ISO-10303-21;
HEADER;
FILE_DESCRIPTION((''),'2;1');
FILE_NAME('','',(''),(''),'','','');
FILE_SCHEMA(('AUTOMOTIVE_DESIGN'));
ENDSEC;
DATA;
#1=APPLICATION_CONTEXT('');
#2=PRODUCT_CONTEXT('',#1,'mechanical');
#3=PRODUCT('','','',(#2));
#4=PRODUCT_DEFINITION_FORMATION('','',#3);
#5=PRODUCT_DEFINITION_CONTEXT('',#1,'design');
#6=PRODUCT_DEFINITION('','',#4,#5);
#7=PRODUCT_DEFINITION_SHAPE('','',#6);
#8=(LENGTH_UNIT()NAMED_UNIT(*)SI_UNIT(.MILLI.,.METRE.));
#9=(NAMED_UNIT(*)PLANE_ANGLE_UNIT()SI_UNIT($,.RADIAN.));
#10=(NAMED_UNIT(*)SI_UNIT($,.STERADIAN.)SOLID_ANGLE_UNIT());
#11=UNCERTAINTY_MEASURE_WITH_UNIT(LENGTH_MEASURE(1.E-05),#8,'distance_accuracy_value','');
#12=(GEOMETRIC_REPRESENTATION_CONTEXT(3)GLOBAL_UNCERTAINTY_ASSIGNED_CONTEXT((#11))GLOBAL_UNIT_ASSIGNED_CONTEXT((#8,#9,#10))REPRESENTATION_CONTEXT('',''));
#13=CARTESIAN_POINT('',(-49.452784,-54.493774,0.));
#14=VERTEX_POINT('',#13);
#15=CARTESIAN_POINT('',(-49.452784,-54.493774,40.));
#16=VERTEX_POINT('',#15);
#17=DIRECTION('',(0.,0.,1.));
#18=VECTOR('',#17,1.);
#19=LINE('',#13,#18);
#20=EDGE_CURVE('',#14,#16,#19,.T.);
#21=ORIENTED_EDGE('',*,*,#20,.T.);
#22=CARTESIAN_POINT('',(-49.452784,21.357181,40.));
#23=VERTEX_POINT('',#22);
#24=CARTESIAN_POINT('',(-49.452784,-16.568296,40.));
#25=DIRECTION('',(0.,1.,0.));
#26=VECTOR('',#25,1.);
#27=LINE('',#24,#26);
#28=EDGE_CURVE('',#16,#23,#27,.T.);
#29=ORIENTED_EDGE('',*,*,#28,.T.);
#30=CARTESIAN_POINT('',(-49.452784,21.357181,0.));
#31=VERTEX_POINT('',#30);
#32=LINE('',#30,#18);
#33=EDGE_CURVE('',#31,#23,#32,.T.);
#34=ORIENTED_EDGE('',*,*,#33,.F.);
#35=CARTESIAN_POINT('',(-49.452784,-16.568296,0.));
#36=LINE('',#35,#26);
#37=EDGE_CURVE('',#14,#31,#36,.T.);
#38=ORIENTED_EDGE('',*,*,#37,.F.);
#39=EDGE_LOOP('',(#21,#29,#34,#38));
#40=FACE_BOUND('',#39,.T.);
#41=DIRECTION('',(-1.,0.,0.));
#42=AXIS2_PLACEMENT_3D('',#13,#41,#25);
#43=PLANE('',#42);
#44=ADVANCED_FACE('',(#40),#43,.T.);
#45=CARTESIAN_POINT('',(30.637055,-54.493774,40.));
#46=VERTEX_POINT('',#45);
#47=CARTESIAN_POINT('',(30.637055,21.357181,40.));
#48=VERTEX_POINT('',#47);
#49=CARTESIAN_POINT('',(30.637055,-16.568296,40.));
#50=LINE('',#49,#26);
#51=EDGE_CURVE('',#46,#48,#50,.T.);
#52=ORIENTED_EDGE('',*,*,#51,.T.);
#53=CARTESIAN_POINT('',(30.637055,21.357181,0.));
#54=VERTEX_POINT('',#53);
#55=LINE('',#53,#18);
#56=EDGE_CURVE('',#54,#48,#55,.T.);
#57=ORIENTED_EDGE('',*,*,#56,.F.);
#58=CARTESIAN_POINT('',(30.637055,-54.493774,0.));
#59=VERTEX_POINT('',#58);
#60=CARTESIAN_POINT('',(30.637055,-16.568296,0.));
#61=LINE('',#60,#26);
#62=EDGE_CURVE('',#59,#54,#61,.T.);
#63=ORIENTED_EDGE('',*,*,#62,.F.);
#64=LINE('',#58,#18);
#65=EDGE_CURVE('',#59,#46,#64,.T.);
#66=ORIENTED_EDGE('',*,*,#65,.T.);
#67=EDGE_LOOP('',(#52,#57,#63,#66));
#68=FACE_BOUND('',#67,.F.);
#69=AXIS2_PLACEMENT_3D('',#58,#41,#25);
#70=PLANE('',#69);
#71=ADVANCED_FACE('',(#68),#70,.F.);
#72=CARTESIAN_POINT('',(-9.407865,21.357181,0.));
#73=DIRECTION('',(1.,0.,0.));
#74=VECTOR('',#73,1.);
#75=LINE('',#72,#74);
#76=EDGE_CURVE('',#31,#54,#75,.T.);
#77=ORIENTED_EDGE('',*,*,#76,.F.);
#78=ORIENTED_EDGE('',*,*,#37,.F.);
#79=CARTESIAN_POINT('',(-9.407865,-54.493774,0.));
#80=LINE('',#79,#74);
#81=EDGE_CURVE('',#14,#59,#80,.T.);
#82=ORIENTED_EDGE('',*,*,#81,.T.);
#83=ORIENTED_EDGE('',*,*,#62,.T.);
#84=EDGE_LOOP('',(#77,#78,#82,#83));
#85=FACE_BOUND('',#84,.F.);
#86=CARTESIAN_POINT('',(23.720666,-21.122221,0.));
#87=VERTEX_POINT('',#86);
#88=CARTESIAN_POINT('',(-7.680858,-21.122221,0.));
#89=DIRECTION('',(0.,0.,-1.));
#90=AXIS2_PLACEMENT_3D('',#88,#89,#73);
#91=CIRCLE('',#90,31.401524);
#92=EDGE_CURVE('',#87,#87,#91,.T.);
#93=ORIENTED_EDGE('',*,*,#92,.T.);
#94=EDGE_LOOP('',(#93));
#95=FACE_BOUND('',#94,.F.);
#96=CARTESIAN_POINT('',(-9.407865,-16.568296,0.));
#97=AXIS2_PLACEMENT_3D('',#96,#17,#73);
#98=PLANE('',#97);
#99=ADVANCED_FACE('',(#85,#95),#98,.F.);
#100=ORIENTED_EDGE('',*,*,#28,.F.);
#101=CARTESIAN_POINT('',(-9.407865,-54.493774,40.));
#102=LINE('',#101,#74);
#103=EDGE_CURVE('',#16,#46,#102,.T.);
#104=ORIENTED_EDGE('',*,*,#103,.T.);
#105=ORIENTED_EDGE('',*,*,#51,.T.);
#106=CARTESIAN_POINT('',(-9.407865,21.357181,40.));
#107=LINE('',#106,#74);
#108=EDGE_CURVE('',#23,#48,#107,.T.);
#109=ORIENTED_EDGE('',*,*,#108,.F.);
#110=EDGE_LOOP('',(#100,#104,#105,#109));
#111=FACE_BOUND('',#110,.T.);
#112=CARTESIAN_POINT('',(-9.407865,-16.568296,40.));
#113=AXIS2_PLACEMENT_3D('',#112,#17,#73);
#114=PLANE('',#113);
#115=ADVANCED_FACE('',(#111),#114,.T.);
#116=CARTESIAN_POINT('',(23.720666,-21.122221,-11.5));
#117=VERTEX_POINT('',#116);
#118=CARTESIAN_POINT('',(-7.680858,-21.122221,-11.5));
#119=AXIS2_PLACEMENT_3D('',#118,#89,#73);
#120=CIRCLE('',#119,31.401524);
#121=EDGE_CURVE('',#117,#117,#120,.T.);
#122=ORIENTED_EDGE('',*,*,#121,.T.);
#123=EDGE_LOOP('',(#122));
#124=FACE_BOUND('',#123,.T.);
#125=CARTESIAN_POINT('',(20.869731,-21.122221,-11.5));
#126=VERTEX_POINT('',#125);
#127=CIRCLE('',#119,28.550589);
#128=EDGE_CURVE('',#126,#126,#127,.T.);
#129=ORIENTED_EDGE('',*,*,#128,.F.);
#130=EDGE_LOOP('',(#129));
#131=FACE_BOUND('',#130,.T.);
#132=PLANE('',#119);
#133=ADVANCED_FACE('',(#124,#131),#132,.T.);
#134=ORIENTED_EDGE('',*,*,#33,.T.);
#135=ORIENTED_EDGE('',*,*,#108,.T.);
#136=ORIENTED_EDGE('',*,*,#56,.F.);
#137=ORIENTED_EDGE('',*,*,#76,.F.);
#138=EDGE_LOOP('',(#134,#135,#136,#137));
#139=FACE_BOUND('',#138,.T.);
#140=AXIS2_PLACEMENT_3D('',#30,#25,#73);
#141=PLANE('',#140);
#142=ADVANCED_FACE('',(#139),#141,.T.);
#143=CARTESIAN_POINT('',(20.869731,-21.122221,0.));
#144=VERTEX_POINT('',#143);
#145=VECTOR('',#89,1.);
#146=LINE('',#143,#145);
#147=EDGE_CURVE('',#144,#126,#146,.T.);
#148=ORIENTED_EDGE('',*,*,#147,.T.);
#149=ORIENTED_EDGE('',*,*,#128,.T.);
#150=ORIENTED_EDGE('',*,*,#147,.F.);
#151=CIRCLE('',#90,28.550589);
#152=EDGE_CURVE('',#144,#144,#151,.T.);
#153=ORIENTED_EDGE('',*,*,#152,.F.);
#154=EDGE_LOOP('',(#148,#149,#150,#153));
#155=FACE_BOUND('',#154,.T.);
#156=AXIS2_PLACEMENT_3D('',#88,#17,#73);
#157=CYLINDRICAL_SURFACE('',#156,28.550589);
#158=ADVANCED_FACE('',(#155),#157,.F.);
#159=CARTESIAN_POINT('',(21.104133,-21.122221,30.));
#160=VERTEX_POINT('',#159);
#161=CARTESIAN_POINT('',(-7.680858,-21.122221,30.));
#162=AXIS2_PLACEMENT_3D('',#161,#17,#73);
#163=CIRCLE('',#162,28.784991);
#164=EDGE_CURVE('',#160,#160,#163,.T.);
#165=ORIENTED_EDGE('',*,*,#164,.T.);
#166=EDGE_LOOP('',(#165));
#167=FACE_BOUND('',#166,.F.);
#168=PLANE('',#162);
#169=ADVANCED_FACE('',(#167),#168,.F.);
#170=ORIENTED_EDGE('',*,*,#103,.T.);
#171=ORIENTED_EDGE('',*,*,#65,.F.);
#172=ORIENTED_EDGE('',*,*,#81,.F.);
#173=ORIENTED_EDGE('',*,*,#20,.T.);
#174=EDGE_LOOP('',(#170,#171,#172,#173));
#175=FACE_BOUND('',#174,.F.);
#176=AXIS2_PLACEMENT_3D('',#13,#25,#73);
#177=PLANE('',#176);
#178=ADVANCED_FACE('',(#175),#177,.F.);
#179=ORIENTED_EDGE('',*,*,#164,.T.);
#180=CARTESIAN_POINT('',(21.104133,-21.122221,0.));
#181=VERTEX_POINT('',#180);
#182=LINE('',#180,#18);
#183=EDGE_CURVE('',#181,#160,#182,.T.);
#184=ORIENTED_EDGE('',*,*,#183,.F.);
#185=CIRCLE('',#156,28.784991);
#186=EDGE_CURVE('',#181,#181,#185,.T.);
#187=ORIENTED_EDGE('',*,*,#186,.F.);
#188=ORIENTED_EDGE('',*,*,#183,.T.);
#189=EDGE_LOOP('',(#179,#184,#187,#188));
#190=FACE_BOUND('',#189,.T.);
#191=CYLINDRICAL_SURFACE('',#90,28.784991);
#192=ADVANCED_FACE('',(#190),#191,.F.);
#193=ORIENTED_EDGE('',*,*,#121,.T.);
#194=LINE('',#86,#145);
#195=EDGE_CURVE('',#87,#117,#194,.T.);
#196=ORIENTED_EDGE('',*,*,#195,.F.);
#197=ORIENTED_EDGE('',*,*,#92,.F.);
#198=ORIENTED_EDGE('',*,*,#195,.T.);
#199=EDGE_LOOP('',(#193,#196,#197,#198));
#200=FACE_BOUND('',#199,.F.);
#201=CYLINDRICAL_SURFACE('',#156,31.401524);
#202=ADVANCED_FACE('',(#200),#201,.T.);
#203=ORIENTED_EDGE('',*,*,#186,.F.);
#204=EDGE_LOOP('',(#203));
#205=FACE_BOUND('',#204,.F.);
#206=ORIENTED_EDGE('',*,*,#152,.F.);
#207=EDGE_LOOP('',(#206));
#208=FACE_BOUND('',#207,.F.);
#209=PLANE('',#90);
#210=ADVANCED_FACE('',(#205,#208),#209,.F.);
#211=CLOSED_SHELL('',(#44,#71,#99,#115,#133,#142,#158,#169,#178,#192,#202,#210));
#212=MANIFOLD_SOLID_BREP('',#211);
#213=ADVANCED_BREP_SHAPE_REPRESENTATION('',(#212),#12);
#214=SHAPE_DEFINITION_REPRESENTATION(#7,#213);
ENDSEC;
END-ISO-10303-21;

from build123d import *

# Parameters (mm, degrees)
F0_W     = 80.089839
F0_H     = 75.850955
F1_DEPTH = 40
F2_R     = 28.784991
F3_DEPTH = 30
F4_R     = 31.401524
F4_R_2   = 28.550589
F5_DEPTH = 11.5


with BuildPart() as f1:
    # F0 (on Top) → F1 (new body)
    with BuildSketch(Plane.XY):
        with Locations((-9.407865, -16.568296)):
            Rectangle(F0_W, F0_H)
    extrude(amount=F1_DEPTH)

    # F2 (on Top) → F3 (cut)
    with BuildSketch(Plane.XY):
        with Locations((-7.680858, -21.122221)):
            Circle(F2_R)
    extrude(amount=F3_DEPTH, mode=Mode.SUBTRACT)

    # F4 (on face) → F5 (join)
    with BuildSketch(Plane(origin=(0, 0, 0), x_dir=(1, 0, 0), z_dir=(0, 0, -1))):
        with Locations((-7.680858, 21.122221)):
            Circle(F4_R)
        with Locations((-7.680858, 21.122221)):
            Circle(F4_R_2, mode=Mode.SUBTRACT)
    extrude(amount=F5_DEPTH)


solid = f1.part
